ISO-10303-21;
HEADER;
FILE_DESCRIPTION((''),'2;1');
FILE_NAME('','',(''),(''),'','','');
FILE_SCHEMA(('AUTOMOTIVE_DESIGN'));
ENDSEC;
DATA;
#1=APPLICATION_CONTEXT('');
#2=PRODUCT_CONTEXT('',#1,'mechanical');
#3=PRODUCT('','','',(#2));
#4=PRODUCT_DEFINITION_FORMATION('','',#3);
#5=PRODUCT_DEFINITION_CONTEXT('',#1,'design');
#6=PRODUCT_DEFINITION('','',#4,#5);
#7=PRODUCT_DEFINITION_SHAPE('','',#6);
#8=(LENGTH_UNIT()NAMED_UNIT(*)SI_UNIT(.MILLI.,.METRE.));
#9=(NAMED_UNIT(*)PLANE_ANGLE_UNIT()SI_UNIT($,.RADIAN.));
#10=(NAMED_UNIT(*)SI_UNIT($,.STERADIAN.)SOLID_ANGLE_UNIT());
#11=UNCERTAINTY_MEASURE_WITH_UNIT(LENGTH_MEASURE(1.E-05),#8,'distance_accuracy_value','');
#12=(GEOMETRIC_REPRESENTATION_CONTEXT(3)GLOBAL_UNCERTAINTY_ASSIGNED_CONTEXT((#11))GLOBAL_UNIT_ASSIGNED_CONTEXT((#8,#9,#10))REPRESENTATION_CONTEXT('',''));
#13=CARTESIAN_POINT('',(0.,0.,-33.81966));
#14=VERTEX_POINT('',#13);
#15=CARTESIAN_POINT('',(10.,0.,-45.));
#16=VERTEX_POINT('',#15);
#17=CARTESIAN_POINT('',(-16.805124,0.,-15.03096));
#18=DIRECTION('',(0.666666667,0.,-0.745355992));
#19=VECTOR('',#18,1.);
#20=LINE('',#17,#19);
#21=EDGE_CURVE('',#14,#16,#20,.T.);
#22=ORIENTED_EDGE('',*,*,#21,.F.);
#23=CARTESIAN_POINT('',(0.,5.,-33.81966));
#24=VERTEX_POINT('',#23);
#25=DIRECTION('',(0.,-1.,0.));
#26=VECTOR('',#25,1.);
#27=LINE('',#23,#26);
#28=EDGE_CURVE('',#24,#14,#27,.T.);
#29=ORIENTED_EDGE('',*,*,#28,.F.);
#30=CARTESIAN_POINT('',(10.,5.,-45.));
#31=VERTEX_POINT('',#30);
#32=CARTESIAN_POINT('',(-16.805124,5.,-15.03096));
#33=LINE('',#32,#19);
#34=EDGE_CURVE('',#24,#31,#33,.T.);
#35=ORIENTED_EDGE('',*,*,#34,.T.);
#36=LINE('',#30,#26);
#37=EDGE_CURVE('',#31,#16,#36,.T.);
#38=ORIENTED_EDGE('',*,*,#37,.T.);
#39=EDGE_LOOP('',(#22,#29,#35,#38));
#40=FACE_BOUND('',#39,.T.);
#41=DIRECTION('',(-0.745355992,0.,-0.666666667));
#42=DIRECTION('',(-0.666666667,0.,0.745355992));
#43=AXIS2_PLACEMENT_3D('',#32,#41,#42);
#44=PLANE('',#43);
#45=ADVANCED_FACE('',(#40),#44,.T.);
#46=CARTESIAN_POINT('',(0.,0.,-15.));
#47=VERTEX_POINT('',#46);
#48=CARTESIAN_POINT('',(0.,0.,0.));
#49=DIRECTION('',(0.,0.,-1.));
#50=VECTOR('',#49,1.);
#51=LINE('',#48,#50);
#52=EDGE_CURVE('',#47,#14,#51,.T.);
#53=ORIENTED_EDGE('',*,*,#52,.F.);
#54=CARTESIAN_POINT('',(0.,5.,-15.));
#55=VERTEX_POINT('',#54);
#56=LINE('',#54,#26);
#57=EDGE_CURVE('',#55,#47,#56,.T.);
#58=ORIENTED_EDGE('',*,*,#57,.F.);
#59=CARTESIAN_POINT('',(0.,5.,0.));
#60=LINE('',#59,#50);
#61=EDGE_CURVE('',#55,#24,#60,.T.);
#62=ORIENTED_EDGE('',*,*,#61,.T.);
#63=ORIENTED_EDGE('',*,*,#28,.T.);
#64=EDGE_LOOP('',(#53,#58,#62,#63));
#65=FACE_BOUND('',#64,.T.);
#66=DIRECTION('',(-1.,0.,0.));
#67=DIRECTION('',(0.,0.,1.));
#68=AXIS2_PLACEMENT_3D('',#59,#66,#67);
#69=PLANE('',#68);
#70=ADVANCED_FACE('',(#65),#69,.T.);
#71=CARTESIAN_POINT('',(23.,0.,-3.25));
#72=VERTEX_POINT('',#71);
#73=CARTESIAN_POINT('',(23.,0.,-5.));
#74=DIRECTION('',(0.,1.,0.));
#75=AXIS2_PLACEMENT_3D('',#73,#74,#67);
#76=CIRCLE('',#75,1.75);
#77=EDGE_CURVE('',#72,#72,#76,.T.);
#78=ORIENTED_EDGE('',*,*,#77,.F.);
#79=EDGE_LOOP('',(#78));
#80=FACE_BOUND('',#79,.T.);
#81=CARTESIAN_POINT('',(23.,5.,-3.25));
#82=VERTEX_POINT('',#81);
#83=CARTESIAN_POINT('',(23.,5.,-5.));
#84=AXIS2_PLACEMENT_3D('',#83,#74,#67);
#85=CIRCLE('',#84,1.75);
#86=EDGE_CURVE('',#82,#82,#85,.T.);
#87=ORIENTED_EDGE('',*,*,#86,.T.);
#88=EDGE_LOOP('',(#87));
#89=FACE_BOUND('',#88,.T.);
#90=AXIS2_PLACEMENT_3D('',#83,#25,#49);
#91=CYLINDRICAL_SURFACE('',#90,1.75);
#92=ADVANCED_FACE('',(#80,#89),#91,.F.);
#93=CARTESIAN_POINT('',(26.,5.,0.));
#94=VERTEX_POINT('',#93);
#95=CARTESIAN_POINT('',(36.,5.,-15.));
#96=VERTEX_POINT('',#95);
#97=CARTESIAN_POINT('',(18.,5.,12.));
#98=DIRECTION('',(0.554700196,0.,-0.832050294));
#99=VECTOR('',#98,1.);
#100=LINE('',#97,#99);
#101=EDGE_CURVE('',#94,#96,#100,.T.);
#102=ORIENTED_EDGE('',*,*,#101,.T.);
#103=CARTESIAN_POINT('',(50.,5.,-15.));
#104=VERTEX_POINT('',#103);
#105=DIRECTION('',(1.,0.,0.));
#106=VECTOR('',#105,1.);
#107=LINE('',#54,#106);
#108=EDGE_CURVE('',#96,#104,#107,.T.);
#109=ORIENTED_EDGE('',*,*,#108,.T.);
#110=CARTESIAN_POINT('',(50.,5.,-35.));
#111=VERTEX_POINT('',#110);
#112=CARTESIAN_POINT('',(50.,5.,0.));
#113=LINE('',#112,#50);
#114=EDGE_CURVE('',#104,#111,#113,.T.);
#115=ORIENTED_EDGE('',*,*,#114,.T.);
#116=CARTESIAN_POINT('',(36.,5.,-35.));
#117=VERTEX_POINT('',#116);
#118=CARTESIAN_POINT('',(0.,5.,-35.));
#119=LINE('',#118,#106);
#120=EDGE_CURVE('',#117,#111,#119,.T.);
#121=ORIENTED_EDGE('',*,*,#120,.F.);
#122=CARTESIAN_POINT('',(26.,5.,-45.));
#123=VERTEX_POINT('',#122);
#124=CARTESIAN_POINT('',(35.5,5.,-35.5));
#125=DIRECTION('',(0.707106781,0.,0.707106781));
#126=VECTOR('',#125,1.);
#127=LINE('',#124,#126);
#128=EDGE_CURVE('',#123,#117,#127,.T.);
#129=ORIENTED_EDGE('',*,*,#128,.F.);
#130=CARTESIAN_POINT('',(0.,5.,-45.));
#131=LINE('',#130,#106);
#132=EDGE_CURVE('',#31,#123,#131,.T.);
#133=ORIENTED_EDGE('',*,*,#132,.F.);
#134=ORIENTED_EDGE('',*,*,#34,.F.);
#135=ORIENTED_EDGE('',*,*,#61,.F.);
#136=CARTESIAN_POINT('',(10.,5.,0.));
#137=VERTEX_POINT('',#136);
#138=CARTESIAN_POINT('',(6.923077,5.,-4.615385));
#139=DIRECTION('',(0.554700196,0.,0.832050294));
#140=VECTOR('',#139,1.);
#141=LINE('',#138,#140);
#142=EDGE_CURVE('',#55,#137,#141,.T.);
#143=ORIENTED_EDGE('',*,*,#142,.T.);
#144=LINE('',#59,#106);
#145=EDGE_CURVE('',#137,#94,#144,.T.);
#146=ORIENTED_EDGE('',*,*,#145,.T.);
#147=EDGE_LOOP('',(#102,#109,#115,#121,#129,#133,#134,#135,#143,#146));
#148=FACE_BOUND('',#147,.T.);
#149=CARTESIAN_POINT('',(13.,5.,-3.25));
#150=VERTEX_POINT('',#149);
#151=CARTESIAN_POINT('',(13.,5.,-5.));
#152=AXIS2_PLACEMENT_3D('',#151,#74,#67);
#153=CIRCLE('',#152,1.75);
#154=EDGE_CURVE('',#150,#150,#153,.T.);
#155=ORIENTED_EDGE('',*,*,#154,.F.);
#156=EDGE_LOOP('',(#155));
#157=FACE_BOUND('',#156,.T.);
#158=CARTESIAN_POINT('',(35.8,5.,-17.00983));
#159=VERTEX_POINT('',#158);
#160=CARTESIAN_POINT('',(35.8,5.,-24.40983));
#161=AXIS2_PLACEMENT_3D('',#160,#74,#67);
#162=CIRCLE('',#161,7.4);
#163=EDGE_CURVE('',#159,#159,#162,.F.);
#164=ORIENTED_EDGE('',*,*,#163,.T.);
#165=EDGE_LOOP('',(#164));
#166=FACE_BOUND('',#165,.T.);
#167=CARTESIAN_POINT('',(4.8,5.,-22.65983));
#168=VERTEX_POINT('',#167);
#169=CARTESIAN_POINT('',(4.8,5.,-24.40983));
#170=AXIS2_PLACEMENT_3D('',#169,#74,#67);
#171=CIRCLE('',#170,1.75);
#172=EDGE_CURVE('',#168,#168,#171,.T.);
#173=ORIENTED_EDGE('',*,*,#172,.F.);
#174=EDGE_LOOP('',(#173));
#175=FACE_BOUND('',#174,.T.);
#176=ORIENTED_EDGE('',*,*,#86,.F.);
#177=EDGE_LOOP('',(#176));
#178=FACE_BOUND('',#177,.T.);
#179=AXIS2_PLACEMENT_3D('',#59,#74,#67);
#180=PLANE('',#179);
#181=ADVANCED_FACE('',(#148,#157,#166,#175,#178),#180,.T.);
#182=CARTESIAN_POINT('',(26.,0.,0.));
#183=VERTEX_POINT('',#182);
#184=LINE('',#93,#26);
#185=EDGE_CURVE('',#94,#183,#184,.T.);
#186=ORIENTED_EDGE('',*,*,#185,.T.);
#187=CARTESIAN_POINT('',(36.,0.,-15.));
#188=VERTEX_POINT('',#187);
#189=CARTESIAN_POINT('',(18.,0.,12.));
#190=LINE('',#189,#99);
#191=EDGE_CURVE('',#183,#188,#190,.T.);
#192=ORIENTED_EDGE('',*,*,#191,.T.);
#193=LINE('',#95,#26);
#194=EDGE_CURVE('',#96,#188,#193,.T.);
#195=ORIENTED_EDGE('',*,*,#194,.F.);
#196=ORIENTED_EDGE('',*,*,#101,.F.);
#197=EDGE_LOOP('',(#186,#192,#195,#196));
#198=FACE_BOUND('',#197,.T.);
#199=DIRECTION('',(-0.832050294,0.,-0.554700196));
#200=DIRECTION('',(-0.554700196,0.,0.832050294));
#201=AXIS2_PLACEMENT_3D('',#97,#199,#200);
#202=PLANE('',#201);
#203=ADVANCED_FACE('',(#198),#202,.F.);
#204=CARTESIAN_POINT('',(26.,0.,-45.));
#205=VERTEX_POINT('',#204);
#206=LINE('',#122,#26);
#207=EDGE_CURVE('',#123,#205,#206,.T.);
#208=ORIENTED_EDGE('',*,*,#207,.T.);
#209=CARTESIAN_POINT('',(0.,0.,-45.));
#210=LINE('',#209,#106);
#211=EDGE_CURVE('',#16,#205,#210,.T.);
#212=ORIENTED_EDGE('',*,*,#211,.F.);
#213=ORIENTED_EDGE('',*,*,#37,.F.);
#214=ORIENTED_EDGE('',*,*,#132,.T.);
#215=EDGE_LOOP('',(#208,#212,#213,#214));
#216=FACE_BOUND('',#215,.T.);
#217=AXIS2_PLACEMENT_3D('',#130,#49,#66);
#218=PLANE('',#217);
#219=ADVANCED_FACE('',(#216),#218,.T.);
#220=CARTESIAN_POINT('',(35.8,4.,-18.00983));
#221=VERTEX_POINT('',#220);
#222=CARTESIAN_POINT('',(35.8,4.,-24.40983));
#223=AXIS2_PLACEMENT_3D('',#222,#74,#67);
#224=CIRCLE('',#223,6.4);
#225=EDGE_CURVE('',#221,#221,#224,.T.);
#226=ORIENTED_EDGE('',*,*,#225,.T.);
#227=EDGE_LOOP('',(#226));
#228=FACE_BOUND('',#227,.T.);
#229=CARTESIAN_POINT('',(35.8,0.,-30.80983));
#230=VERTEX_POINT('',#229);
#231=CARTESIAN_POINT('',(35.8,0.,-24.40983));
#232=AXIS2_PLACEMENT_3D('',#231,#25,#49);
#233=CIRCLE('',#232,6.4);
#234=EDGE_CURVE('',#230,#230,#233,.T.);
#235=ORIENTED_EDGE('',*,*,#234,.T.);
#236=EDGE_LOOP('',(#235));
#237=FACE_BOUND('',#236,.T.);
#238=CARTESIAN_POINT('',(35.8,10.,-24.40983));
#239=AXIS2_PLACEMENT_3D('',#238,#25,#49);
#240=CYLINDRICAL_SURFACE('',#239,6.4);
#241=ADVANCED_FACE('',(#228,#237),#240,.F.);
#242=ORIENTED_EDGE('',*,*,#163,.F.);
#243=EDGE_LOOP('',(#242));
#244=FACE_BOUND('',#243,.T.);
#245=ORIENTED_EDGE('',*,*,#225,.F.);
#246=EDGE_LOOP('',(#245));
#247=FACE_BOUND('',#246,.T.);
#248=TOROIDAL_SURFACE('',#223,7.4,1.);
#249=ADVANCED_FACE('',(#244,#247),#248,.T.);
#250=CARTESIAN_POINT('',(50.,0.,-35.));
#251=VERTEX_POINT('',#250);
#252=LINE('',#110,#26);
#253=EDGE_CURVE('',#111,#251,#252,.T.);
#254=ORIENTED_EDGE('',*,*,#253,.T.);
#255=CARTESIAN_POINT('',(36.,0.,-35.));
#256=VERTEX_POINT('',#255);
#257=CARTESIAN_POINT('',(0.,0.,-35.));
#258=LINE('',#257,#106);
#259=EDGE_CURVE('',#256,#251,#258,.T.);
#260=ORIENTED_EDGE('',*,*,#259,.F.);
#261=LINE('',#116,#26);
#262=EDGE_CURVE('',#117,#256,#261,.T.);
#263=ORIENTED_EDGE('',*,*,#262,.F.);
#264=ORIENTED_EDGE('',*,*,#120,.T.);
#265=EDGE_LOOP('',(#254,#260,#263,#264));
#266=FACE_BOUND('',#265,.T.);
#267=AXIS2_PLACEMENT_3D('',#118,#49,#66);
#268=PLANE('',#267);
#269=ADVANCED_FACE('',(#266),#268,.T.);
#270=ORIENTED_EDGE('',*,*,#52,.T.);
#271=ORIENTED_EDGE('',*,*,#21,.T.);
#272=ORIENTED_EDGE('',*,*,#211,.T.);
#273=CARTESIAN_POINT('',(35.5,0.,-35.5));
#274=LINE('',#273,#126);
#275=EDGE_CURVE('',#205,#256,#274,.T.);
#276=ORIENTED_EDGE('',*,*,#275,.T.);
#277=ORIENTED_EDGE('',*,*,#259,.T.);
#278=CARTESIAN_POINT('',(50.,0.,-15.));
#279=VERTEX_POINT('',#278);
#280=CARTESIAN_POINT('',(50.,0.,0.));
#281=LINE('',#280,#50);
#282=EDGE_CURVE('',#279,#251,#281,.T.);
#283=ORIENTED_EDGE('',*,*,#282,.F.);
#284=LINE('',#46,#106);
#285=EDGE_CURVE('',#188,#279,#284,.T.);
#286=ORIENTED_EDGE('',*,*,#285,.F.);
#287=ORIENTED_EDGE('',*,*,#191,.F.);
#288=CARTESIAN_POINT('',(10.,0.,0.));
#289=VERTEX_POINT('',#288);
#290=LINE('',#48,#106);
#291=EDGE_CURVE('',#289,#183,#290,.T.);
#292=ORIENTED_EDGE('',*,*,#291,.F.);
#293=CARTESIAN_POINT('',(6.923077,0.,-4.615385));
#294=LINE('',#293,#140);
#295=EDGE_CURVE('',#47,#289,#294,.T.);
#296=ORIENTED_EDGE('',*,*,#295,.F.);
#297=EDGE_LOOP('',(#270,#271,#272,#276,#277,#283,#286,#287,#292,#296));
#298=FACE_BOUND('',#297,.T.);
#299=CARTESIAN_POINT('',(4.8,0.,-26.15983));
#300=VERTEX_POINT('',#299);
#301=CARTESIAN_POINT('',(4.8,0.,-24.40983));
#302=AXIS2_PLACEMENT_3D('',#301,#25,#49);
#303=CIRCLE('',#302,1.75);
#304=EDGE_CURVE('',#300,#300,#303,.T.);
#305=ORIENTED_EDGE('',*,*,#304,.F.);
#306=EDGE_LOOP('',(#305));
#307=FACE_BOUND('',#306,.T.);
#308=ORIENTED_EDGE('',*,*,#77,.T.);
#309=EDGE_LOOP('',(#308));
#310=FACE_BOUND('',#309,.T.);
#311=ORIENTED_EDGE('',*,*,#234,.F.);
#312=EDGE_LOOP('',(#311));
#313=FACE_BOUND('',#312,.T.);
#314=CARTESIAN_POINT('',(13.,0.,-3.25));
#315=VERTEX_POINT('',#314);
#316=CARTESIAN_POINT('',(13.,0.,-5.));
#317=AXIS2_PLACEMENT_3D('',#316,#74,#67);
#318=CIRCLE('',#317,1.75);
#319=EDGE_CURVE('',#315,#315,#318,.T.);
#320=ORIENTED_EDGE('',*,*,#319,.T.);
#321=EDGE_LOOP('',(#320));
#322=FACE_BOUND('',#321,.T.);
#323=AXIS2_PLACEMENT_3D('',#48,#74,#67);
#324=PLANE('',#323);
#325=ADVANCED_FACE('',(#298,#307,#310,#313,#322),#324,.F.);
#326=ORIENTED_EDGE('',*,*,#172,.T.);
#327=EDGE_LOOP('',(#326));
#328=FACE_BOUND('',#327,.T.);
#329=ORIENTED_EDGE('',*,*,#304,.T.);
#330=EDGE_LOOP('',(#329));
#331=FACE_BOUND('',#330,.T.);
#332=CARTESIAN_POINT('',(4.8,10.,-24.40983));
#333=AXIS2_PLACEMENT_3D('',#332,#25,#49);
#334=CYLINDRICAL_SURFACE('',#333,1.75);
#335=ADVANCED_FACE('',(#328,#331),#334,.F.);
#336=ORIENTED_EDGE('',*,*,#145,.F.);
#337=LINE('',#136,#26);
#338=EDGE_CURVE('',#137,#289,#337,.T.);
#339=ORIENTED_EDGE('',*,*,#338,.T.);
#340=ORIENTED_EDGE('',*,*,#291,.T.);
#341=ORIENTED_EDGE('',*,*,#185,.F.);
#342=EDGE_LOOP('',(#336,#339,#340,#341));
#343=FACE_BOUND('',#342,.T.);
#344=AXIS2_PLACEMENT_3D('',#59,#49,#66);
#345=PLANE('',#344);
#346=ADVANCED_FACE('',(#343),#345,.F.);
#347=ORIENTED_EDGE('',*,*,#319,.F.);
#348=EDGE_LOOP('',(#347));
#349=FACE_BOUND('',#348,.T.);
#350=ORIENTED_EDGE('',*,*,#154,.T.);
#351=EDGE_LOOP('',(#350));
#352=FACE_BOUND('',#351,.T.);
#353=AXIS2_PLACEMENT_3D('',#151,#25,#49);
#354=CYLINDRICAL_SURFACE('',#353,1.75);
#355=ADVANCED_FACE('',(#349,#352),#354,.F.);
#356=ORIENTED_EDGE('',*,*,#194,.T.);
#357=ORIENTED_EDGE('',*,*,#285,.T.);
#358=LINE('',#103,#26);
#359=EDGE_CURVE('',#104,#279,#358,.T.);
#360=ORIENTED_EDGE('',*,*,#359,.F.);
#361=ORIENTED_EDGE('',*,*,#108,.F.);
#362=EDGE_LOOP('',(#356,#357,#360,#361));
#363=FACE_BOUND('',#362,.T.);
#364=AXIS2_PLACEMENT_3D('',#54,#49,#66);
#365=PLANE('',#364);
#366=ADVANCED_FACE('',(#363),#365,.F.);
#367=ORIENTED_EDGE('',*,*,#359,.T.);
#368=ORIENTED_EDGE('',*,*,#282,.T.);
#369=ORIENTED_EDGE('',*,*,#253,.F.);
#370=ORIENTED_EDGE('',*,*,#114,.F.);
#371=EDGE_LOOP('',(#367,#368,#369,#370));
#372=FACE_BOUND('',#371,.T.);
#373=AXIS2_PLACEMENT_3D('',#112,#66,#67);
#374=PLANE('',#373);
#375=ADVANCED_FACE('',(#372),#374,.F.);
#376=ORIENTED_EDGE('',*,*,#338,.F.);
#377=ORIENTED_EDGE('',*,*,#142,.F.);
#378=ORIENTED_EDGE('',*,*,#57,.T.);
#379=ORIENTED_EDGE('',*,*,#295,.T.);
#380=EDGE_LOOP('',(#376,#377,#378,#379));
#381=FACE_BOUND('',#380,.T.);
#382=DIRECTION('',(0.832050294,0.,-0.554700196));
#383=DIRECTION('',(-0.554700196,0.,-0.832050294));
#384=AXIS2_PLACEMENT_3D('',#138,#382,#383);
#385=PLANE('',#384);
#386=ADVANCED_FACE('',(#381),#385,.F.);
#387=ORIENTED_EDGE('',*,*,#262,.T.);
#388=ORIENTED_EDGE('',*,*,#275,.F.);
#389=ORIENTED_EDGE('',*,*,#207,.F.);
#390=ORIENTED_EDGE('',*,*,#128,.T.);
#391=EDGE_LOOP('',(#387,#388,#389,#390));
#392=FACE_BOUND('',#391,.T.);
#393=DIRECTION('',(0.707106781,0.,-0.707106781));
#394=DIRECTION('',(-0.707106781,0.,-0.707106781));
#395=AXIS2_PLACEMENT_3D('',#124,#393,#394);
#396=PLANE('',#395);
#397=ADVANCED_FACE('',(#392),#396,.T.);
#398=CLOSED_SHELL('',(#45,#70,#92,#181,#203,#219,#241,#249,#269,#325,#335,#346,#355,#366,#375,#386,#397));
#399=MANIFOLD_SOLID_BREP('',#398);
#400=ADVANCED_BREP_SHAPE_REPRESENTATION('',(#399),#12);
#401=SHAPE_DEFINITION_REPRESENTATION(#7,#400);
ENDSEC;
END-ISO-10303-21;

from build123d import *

# Parameters (mm, degrees)
SKETCH1_R           = 1.75
BOSS_EXTRUDE1_DEPTH = 5
SKETCH2_R           = 1.75
SKETCH2_R_2         = 6.4
CUT_EXTRUDE1_DEPTH  = 10
FILLET1_R           = 1


with BuildPart() as part:
    # Sketch1 → Boss-Extrude1 (new body)
    # profile 1 of 4: a face of its own
    with BuildSketch(Plane(origin=(0, 0, 0), x_dir=(1, 0, 0), z_dir=(0, 1, 0))):
        Polygon((50, 25), (0, 25), (0, 15), (10, 0), (26, 0), (36, 15), (50, 15), align=None)
        with Locations(Location((13, 5, 0), (0, 0, 270))):
            Circle(SKETCH1_R, mode=Mode.SUBTRACT)
        with Locations(Location((23, 5, 0), (0, 0, 270))):
            Circle(SKETCH1_R, mode=Mode.SUBTRACT)
    # profile 2 of 4: a face of its own
    with BuildSketch(Plane(origin=(0, 0, 0), x_dir=(1, 0, 0), z_dir=(0, 1, 0))):
        Polygon((10, 45), (0, 33.819660113), (0, 25), (50, 25), (50, 35), (36, 35), (26, 45), align=None)
    # profile 3 of 4: a face of its own
    with BuildSketch(Plane(origin=(0, 0, 0), x_dir=(1, 0, 0), z_dir=(0, 1, 0))):
        Polygon((10, 45), (0, 33.819660113), (0, 25), (50, 25), (50, 35), (36, 35), (26, 45), align=None)
    # profile 4 of 4: a face of its own
    with BuildSketch(Plane(origin=(0, 0, 0), x_dir=(1, 0, 0), z_dir=(0, 1, 0))):
        Polygon((10, 45), (0, 33.819660113), (0, 25), (50, 25), (50, 35), (36, 35), (26, 45), align=None)
    extrude(amount=BOSS_EXTRUDE1_DEPTH)

    # Sketch2 → Cut-Extrude1 (cut)
    with BuildSketch(Plane(origin=(0, 0, 0), x_dir=(-1, 0, 0), z_dir=(0, -1, 0))):
        with Locations(Location((-4.8, 24.409830056, 0), (0, 0, 90))):
            Circle(SKETCH2_R)
        with Locations(Location((-35.8, 24.409830056, 0), (0, 0, 90))):
            Circle(SKETCH2_R_2)
    extrude(amount=-CUT_EXTRUDE1_DEPTH, mode=Mode.SUBTRACT)

    # Fillet1
    fillet1_edges = [part.edges().sort_by_distance(p)[0] for p in [
        (35.8, 5, -18.009830056),
    ]]
    fillet(fillet1_edges, radius=FILLET1_R)


solid = part.part
